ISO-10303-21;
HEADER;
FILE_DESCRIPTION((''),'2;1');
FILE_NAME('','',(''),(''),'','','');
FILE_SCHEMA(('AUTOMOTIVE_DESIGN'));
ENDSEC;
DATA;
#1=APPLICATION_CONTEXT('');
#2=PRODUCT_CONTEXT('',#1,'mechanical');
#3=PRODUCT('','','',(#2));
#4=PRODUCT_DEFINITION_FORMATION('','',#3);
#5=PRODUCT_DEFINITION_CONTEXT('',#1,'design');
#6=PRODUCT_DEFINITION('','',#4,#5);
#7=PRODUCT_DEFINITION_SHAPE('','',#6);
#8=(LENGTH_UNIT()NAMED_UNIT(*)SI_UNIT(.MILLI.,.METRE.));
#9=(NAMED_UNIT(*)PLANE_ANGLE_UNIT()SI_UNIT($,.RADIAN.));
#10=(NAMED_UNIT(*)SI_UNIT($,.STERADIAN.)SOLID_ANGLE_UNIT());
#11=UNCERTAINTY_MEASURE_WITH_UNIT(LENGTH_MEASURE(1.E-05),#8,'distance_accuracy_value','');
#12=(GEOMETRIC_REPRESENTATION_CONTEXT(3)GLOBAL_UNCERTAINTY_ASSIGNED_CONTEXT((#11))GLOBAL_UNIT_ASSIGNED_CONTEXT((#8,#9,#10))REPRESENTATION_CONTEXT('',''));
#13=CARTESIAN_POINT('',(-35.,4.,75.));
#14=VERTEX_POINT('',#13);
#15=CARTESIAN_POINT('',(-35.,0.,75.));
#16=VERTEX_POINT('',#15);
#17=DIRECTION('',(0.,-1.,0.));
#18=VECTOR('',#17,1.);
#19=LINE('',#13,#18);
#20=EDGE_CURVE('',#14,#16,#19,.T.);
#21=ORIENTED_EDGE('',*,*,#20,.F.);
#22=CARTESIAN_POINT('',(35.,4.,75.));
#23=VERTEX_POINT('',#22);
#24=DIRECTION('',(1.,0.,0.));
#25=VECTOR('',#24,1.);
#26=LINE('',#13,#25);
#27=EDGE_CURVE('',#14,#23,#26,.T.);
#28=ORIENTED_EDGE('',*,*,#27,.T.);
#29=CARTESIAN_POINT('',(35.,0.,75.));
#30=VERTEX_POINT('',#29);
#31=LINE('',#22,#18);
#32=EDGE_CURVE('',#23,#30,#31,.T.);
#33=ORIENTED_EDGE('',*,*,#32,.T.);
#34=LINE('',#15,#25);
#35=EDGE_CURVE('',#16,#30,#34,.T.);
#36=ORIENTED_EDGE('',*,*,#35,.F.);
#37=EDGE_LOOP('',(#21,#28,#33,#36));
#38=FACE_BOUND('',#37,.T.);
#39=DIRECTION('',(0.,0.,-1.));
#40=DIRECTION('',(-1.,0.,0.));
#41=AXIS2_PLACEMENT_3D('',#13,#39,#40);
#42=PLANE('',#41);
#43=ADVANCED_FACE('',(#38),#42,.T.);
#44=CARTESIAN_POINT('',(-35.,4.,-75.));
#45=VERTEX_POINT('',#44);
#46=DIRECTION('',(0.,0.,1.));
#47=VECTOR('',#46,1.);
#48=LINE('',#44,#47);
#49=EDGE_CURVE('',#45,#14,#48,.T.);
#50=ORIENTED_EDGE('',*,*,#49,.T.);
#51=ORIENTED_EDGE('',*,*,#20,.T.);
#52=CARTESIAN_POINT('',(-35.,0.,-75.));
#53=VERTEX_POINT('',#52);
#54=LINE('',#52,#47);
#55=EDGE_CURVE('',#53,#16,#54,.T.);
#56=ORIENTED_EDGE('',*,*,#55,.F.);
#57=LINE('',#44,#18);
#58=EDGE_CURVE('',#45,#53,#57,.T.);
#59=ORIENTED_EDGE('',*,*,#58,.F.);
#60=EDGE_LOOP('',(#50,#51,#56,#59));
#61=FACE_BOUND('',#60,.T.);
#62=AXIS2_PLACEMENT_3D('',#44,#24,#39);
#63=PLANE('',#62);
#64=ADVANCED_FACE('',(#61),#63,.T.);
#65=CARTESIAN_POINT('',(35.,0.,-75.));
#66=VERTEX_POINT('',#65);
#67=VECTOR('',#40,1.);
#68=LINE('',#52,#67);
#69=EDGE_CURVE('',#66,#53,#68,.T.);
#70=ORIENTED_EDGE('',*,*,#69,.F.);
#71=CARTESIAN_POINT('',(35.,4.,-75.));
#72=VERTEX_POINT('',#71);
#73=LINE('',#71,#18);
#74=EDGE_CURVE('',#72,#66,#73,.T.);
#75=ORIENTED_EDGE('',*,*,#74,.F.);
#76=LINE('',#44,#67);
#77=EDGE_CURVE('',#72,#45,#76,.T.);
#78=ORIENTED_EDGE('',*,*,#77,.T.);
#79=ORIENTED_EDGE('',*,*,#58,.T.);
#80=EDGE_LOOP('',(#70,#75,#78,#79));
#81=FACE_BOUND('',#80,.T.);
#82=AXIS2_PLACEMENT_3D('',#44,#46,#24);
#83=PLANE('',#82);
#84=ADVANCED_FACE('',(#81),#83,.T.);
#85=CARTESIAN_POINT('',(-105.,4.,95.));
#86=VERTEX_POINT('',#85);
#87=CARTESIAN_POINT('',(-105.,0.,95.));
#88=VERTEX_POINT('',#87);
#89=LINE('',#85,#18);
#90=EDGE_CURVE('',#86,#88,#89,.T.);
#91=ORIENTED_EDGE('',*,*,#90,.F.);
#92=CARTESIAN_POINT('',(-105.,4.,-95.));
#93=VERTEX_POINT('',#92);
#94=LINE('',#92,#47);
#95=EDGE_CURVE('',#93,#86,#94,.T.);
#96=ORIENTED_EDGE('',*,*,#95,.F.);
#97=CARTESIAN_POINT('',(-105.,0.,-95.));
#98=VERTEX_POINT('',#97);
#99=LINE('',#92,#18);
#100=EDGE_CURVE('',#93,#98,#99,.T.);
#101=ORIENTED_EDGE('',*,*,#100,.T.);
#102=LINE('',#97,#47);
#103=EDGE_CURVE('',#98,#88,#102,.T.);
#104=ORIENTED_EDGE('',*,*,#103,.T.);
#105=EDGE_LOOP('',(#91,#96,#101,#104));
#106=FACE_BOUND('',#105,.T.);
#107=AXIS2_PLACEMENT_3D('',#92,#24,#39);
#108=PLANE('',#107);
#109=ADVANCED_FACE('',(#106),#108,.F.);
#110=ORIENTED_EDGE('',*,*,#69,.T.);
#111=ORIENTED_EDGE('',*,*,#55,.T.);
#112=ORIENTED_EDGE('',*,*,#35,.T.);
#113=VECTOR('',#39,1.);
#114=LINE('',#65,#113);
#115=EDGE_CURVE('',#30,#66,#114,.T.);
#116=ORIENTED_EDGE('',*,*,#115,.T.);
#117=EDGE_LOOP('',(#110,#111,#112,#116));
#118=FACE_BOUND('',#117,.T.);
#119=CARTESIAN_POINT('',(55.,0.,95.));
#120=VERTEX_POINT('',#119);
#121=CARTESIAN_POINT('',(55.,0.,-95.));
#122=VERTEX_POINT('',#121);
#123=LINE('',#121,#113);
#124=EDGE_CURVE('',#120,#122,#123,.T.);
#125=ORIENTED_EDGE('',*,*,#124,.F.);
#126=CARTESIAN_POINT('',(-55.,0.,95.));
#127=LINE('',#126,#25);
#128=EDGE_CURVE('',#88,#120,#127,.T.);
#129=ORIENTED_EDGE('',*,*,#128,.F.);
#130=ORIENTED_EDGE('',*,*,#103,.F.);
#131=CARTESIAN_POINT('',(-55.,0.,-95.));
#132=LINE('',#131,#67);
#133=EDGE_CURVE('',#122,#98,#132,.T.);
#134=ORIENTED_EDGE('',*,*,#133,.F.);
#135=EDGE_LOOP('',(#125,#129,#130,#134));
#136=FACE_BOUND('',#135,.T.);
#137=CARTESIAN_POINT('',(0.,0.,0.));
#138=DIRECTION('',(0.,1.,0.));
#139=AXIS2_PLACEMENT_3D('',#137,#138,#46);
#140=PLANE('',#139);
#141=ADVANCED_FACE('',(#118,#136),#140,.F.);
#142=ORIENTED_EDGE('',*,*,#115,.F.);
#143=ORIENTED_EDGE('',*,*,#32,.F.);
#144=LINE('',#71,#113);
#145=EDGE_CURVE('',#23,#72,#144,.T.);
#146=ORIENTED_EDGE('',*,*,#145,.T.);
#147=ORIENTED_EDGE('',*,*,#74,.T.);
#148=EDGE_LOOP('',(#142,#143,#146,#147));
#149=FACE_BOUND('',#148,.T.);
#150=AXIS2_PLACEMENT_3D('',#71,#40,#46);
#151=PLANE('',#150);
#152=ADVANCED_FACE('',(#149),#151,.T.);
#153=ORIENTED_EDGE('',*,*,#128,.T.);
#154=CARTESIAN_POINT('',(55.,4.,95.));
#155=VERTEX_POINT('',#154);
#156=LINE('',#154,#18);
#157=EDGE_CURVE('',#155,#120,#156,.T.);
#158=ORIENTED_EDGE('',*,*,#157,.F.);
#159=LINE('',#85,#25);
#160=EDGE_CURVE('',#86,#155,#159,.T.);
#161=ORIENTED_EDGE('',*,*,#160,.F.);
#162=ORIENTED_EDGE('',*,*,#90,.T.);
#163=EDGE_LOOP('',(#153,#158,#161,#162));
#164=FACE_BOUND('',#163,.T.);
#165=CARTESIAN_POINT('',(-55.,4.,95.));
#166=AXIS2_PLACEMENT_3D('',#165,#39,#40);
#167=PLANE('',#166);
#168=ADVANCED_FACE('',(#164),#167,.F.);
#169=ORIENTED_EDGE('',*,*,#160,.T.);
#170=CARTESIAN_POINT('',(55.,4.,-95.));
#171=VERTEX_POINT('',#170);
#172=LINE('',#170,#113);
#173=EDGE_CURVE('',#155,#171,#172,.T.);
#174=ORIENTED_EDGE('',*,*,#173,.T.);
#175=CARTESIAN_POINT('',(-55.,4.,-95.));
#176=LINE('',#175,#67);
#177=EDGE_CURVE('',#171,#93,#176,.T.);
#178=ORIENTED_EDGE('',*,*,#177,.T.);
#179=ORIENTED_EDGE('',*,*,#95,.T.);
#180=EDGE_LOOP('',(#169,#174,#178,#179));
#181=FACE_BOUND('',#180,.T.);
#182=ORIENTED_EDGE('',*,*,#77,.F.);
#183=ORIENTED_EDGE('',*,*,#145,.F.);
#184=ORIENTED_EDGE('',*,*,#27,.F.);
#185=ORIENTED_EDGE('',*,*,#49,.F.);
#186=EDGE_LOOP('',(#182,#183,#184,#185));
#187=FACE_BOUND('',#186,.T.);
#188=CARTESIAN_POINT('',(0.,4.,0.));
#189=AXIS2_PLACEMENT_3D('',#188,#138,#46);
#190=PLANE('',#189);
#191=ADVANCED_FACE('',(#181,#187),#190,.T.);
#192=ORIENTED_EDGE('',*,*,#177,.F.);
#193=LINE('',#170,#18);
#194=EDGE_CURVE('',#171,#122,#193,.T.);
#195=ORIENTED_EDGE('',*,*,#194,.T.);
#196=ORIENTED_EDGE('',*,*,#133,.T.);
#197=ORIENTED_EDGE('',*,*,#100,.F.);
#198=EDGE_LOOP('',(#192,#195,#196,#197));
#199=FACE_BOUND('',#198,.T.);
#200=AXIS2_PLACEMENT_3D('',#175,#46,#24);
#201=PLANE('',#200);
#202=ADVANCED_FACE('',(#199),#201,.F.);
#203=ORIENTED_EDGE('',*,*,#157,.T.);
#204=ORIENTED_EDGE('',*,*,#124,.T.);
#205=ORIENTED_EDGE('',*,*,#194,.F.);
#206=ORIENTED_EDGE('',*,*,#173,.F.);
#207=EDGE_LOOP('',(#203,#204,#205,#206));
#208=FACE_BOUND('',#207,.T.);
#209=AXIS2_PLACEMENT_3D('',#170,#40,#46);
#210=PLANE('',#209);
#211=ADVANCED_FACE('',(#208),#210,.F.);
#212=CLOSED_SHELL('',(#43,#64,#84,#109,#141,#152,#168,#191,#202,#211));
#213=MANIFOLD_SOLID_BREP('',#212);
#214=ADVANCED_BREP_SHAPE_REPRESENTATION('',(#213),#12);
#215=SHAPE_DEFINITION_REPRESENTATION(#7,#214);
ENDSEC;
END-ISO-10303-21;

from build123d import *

# Parameters (mm, degrees)
SKETCH1_W           = 70
SKETCH1_H           = 150
BOSS_EXTRUDE1_DEPTH = 4


with BuildPart() as part:
    # Sketch1 → Boss-Extrude1 (new body)
    with BuildSketch(Plane(origin=(0, 0, 0), x_dir=(1, 0, 0), z_dir=(0, 1, 0))):
        Polygon((-55, 95), (55, 95), (55, -95), (-55, -95), (-105, -95), (-105, 95), align=None)
        Rectangle(SKETCH1_W, SKETCH1_H, mode=Mode.SUBTRACT)
    extrude(amount=BOSS_EXTRUDE1_DEPTH)


solid = part.part
